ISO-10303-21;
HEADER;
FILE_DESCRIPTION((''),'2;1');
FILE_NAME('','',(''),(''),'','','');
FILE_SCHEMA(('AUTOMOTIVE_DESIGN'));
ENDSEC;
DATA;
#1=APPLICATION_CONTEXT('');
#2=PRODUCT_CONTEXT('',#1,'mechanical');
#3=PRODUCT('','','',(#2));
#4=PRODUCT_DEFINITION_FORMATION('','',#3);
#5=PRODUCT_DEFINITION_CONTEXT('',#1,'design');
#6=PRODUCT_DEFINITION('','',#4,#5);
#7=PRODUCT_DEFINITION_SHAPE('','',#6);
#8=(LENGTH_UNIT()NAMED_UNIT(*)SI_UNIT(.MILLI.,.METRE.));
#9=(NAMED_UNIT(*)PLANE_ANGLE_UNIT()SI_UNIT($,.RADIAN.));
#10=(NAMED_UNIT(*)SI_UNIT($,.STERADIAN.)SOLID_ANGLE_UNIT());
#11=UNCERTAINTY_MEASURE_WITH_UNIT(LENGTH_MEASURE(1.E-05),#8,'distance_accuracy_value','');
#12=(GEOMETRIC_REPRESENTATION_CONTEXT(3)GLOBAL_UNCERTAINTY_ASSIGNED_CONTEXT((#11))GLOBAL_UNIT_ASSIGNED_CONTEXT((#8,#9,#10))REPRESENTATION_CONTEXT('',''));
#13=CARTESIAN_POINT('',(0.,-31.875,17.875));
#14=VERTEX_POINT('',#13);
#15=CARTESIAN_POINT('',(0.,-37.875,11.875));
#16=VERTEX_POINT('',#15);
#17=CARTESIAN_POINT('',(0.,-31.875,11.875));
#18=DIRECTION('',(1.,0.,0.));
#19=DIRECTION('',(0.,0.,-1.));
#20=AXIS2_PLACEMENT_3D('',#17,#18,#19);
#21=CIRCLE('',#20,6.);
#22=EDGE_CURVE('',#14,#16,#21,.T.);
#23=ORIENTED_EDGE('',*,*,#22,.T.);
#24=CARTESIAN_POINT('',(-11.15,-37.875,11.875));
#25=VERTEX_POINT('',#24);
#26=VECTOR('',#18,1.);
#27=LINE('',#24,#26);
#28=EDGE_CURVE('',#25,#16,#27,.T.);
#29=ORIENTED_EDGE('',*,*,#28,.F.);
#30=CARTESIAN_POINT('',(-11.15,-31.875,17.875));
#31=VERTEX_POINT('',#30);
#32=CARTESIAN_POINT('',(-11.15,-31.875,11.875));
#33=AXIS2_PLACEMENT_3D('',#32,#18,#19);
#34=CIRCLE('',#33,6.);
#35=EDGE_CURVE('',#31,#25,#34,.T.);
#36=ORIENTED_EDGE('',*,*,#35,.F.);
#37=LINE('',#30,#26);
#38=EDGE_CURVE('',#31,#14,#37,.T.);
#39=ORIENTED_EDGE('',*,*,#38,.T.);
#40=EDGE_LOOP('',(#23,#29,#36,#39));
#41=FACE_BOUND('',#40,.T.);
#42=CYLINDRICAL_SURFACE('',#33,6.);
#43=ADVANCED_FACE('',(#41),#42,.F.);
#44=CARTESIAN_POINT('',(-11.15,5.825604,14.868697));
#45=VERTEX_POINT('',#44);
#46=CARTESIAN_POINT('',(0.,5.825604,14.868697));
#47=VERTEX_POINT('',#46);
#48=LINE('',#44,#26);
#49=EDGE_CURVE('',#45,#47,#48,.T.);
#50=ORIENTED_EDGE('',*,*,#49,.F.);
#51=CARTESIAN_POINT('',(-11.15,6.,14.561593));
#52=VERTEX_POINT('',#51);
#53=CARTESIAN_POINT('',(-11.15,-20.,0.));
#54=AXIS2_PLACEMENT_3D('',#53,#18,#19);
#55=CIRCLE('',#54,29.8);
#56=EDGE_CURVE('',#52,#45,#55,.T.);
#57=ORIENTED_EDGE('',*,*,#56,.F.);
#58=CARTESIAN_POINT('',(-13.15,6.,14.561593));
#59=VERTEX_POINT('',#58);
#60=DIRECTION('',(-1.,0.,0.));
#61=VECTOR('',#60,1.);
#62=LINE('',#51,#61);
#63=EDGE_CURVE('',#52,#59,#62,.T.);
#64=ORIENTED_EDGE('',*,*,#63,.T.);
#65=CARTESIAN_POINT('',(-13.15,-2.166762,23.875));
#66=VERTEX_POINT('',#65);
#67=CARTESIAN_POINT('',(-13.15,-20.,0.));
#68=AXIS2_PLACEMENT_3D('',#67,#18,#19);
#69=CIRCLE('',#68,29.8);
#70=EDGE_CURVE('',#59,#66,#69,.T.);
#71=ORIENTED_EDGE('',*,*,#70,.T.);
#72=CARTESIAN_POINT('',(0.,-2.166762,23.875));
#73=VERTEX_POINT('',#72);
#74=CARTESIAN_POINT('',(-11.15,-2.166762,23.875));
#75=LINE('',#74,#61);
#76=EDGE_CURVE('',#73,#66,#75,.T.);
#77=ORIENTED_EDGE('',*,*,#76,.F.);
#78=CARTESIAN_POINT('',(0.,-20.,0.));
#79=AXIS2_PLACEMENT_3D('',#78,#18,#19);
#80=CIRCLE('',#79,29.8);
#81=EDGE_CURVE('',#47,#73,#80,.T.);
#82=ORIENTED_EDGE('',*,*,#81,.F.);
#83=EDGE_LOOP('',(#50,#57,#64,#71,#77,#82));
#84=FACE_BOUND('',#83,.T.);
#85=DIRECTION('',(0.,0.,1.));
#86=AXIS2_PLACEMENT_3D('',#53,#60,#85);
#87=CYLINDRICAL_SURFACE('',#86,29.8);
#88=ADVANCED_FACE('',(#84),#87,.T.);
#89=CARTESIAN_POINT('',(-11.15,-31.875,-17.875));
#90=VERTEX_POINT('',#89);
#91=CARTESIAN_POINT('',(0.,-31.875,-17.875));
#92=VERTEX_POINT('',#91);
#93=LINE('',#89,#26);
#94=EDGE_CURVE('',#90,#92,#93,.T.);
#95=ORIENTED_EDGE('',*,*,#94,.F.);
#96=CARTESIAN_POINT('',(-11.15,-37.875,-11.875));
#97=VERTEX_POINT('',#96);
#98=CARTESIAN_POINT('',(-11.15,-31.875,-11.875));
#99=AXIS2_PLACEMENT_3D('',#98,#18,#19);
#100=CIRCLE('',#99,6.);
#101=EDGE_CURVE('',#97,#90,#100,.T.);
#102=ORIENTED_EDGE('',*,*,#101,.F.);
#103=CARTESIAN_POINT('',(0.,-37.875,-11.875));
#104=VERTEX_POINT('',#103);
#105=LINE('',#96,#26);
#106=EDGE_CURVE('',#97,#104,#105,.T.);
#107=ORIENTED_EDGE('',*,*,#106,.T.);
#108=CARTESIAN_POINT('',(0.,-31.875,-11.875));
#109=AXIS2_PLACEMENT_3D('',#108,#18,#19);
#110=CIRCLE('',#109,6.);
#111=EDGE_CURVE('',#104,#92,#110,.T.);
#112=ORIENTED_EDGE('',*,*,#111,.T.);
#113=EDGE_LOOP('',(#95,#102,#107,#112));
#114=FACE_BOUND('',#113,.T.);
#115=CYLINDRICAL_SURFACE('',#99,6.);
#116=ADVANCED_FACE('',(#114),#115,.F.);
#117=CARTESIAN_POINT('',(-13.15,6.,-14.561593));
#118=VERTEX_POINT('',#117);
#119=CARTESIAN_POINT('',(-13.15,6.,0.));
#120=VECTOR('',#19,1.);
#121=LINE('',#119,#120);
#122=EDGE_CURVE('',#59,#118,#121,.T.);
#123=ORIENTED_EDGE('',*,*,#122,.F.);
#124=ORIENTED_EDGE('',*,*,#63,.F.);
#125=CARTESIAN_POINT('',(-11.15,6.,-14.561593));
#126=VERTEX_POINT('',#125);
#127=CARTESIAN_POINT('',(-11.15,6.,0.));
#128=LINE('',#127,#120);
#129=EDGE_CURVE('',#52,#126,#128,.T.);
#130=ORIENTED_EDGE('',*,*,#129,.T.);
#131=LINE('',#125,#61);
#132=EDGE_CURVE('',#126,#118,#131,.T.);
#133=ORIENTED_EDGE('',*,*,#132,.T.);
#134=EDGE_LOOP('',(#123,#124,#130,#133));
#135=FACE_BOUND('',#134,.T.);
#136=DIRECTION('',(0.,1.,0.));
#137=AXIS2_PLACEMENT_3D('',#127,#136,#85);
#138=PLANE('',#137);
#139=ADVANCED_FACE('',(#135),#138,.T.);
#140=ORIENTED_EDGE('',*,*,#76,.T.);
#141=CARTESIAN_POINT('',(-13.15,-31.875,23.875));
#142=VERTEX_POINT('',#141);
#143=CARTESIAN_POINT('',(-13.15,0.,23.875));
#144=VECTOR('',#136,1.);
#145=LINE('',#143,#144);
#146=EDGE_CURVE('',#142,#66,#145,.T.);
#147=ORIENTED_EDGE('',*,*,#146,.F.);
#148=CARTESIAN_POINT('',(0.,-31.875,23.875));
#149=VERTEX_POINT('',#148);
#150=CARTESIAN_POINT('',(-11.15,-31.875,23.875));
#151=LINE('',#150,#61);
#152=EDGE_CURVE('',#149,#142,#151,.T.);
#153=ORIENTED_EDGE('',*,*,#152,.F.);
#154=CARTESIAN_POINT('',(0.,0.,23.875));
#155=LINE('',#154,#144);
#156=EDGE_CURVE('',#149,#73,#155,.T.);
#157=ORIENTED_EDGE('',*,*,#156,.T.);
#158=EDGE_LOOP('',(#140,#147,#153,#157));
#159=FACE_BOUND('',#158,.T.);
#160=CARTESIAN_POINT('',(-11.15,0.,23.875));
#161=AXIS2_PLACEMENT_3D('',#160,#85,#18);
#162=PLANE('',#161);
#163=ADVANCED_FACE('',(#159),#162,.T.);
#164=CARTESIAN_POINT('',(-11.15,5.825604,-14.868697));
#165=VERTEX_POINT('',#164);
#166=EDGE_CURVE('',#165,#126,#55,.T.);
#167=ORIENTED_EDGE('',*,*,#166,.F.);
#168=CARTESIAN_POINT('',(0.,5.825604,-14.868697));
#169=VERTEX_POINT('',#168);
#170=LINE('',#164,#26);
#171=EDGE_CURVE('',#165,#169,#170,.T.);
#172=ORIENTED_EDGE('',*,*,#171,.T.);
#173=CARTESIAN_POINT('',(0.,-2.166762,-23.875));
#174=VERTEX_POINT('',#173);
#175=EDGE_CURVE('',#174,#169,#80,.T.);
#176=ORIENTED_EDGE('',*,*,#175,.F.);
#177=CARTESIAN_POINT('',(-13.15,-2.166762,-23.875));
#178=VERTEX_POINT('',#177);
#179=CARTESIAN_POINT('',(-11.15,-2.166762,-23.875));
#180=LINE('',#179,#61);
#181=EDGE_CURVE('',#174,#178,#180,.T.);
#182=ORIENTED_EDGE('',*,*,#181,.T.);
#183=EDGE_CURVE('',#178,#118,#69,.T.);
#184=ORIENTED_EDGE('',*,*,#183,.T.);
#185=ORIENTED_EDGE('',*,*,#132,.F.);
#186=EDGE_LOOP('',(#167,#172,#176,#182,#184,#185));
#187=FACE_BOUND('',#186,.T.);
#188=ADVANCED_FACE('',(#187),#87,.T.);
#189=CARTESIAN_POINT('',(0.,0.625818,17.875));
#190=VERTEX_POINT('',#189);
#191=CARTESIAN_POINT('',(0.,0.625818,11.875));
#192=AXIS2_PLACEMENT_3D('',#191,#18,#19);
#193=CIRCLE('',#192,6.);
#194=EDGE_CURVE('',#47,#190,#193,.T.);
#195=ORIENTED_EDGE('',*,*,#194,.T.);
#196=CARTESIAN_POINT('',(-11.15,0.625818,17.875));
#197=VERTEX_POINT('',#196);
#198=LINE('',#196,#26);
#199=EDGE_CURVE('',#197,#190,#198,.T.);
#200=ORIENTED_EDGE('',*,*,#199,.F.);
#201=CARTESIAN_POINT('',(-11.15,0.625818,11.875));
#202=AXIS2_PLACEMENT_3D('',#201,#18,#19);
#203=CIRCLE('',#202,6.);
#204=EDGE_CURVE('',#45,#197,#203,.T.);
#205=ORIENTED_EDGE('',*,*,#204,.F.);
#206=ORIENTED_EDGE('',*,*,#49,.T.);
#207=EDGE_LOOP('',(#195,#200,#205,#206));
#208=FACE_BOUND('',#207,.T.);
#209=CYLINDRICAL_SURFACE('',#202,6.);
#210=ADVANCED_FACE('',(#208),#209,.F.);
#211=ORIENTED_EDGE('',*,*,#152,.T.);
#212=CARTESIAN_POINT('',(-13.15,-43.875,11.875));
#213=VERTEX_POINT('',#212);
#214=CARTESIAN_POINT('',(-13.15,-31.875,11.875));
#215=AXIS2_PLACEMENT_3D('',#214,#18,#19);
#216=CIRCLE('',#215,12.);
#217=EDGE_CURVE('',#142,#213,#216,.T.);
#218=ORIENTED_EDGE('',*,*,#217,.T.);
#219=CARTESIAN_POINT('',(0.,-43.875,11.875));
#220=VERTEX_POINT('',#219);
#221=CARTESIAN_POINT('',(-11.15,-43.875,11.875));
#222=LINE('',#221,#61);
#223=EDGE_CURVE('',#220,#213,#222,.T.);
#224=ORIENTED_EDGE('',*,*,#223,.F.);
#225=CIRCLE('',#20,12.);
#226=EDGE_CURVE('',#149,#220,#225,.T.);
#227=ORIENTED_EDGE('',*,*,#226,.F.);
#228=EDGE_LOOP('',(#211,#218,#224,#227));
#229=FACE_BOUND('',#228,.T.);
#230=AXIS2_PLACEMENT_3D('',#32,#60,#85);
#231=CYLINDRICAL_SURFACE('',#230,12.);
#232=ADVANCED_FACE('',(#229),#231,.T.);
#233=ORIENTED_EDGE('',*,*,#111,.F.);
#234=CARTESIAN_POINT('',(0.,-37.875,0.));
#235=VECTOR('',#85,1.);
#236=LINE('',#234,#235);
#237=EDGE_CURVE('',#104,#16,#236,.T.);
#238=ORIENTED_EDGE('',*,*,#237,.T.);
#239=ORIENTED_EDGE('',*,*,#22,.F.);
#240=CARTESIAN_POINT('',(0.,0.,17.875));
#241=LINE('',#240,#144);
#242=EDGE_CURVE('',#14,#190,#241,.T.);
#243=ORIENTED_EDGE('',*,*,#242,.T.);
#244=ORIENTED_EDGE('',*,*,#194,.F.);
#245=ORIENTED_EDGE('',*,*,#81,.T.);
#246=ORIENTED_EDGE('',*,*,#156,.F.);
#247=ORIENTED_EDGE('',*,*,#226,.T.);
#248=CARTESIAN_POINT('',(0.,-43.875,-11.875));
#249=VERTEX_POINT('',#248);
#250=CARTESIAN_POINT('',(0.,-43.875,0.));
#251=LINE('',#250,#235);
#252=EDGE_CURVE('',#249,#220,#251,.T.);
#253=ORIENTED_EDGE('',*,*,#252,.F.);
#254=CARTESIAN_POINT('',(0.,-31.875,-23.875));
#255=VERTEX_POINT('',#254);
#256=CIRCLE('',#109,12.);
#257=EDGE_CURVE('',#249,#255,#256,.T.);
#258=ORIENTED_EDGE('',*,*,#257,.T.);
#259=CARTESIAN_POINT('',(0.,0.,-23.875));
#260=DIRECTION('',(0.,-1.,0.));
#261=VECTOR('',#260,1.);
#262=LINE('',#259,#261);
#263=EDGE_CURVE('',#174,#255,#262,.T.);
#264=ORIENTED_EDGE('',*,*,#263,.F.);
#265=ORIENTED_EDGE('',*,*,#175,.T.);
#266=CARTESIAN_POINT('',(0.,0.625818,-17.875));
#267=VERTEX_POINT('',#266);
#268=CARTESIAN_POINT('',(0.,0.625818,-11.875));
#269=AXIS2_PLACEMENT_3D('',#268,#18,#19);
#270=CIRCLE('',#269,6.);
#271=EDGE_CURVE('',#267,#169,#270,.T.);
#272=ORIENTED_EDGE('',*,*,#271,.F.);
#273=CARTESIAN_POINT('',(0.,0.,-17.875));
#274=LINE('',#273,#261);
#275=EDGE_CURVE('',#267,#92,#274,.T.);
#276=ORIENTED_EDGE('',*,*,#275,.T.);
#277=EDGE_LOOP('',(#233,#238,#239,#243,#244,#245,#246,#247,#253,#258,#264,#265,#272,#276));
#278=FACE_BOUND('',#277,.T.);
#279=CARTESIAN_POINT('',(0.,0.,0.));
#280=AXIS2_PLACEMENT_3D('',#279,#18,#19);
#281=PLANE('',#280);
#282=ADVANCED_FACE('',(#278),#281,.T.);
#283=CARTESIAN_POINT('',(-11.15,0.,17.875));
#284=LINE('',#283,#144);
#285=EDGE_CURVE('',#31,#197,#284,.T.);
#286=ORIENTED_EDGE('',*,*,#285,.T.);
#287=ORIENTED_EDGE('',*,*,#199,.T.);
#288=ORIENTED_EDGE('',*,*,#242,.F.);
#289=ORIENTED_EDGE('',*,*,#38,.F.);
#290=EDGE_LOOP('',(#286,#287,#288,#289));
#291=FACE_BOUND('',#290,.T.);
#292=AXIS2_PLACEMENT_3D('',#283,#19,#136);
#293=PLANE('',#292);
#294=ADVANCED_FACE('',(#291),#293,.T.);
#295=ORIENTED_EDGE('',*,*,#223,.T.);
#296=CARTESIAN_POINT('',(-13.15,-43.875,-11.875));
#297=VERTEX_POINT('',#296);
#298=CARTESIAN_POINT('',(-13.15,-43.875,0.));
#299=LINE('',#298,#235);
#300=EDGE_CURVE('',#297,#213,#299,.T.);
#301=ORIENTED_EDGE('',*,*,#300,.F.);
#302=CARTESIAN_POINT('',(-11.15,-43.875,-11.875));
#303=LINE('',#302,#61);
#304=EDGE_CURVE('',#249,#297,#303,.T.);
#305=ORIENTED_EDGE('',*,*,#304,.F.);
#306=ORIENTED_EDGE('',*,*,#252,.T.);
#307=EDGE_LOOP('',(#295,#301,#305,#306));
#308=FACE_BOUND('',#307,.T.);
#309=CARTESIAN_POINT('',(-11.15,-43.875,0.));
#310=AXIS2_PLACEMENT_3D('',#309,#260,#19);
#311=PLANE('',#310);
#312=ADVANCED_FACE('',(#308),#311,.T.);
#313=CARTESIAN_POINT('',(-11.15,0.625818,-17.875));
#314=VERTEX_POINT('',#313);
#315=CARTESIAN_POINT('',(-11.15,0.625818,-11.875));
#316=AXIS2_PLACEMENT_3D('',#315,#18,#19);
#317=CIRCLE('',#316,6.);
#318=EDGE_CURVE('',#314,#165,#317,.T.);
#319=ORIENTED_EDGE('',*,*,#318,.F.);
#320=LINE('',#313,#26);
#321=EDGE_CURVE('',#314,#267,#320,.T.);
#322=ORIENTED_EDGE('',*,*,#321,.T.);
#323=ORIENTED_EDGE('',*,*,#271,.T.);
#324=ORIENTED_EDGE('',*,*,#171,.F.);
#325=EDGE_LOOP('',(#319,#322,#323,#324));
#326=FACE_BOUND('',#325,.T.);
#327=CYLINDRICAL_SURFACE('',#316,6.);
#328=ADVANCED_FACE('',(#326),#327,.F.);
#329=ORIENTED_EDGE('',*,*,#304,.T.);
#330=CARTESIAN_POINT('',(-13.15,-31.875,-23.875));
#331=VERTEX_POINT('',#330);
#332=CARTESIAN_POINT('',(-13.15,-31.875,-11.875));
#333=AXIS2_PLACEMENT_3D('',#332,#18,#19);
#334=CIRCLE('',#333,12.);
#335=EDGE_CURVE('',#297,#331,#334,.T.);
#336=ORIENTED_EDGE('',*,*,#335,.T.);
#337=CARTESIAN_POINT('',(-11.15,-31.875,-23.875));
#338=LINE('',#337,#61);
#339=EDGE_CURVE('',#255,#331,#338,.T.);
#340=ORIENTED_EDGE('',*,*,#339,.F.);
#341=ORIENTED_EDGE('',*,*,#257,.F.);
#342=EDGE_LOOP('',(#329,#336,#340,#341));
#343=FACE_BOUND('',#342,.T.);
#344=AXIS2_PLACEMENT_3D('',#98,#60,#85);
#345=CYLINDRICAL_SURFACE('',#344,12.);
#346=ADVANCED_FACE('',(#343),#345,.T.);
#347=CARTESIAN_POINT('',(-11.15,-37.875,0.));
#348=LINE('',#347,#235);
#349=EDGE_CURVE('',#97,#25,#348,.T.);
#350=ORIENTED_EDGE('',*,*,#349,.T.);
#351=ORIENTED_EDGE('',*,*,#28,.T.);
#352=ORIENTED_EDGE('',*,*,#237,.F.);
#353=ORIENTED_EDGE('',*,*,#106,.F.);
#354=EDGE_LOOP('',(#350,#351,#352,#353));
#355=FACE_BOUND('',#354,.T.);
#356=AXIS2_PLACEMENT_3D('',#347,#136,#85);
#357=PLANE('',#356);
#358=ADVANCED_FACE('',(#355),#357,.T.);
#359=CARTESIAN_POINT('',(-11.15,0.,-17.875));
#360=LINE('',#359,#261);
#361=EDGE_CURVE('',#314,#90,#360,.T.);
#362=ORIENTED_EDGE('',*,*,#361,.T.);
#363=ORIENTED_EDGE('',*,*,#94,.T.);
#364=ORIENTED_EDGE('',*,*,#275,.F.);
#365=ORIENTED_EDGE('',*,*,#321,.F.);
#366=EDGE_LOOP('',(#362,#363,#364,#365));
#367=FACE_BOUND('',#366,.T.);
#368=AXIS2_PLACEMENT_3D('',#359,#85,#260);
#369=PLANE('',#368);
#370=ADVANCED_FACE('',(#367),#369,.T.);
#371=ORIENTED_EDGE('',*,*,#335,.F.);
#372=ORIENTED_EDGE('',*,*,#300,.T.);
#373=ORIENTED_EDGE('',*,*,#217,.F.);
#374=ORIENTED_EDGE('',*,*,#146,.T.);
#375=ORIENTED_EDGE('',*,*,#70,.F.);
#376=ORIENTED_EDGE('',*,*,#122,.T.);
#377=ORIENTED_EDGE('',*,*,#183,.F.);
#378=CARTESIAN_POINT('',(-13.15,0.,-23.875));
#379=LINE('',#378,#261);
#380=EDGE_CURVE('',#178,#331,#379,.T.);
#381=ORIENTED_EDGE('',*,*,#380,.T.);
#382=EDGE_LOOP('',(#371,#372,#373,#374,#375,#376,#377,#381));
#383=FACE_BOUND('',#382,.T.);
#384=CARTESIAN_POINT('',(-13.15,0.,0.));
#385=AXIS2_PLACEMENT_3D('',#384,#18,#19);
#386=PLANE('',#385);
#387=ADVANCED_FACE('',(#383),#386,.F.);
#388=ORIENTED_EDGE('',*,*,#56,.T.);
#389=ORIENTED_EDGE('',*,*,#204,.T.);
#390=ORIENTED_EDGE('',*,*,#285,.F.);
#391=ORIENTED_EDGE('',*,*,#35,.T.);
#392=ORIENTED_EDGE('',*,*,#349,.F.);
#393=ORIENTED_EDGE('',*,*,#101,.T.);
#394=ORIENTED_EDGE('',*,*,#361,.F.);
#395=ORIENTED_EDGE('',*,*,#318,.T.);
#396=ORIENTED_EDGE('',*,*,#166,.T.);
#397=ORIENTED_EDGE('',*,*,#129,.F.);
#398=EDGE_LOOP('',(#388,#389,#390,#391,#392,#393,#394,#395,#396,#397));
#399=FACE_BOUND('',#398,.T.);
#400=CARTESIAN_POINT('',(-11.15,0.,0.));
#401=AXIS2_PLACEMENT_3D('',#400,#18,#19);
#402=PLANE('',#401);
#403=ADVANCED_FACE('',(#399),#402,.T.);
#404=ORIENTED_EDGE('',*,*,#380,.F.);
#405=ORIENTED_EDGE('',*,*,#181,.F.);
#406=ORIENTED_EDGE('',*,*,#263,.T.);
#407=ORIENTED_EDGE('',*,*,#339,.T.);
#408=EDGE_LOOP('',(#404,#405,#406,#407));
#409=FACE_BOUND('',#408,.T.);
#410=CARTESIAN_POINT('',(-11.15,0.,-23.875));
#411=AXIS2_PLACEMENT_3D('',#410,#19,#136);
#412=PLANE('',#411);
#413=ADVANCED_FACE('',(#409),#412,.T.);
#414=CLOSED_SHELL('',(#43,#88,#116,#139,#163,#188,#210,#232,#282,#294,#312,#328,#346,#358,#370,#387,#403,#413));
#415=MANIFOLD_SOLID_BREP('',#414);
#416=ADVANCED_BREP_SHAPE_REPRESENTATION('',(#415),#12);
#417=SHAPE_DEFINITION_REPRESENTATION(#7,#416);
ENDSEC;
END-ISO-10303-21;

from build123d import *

# Parameters (mm, degrees)
BOSS_EXTRUDE1_START = -13.15
BOSS_EXTRUDE1_DEPTH = 2
BOSS_EXTRUDE2_START = -11.15
BOSS_EXTRUDE2_DEPTH = 11.15


with BuildPart() as part:
    # Sketch2 → Boss-Extrude1 (new body)
    with BuildSketch(Plane(origin=(0, 0, 0), x_dir=(0, 0, -1), z_dir=(1, 0, 0)).offset(BOSS_EXTRUDE1_START)):
        with BuildLine():
            Line((14.561593319, 6), (-14.561593319, 6))
            ThreePointArc((-14.561593319, 6), (-19.647313485, 2.405871392), (-23.875, -2.166762072))
            Line((-23.875, -2.166762072), (-23.875, -31.875))
            ThreePointArc((-23.875, -31.875), (-20.360281374, -40.360281374), (-11.875, -43.875))
            Line((-11.875, -43.875), (11.875, -43.875))
            ThreePointArc((11.875, -43.875), (20.360281374, -40.360281374), (23.875, -31.875))
            Line((23.875, -31.875), (23.875, -2.166762072))
            ThreePointArc((23.875, -2.166762072), (19.647313485, 2.405871392), (14.561593319, 6))
        make_face()
    extrude(amount=BOSS_EXTRUDE1_DEPTH)

    # Sketch2<3> → Boss-Extrude2 (add)
    with BuildSketch(Plane(origin=(0, 0, 0), x_dir=(0, 0, -1), z_dir=(1, 0, 0)).offset(BOSS_EXTRUDE2_START)):
        with BuildLine():
            ThreePointArc((17, 4.475293665), (15.948645849, 5.173015226), (14.868697479, 5.825604258))
            ThreePointArc((14.868697479, 5.825604258), (17.069332723, 3.628967773), (17.875, 0.625818166))
            Line((17.875, 0.625818166), (17.875, -31.875))
            ThreePointArc((17.875, -31.875), (16.117640687, -36.117640687), (11.875, -37.875))
            Line((11.875, -37.875), (-11.875, -37.875))
            ThreePointArc((-11.875, -37.875), (-16.117640687, -36.117640687), (-17.875, -31.875))
            Line((-17.875, -31.875), (-17.875, 0.625818166))
            ThreePointArc((-17.875, 0.625818166), (-17.069332723, 3.628967773), (-14.868697479, 5.825604258))
            ThreePointArc((-14.868697479, 5.825604258), (-15.948645849, 5.173015226), (-17, 4.475293665))
            ThreePointArc((-17, 4.475293665), (-20.70557008, 1.431737392), (-23.875, -2.166762072))
            Line((-23.875, -2.166762072), (-23.875, -31.875))
            ThreePointArc((-23.875, -31.875), (-20.360281374, -40.360281374), (-11.875, -43.875))
            Line((-11.875, -43.875), (11.875, -43.875))
            ThreePointArc((11.875, -43.875), (20.360281374, -40.360281374), (23.875, -31.875))
            Line((23.875, -31.875), (23.875, -2.166762072))
            ThreePointArc((23.875, -2.166762072), (20.70557008, 1.431737392), (17, 4.475293665))
        make_face()
    extrude(amount=BOSS_EXTRUDE2_DEPTH)


solid = part.part
